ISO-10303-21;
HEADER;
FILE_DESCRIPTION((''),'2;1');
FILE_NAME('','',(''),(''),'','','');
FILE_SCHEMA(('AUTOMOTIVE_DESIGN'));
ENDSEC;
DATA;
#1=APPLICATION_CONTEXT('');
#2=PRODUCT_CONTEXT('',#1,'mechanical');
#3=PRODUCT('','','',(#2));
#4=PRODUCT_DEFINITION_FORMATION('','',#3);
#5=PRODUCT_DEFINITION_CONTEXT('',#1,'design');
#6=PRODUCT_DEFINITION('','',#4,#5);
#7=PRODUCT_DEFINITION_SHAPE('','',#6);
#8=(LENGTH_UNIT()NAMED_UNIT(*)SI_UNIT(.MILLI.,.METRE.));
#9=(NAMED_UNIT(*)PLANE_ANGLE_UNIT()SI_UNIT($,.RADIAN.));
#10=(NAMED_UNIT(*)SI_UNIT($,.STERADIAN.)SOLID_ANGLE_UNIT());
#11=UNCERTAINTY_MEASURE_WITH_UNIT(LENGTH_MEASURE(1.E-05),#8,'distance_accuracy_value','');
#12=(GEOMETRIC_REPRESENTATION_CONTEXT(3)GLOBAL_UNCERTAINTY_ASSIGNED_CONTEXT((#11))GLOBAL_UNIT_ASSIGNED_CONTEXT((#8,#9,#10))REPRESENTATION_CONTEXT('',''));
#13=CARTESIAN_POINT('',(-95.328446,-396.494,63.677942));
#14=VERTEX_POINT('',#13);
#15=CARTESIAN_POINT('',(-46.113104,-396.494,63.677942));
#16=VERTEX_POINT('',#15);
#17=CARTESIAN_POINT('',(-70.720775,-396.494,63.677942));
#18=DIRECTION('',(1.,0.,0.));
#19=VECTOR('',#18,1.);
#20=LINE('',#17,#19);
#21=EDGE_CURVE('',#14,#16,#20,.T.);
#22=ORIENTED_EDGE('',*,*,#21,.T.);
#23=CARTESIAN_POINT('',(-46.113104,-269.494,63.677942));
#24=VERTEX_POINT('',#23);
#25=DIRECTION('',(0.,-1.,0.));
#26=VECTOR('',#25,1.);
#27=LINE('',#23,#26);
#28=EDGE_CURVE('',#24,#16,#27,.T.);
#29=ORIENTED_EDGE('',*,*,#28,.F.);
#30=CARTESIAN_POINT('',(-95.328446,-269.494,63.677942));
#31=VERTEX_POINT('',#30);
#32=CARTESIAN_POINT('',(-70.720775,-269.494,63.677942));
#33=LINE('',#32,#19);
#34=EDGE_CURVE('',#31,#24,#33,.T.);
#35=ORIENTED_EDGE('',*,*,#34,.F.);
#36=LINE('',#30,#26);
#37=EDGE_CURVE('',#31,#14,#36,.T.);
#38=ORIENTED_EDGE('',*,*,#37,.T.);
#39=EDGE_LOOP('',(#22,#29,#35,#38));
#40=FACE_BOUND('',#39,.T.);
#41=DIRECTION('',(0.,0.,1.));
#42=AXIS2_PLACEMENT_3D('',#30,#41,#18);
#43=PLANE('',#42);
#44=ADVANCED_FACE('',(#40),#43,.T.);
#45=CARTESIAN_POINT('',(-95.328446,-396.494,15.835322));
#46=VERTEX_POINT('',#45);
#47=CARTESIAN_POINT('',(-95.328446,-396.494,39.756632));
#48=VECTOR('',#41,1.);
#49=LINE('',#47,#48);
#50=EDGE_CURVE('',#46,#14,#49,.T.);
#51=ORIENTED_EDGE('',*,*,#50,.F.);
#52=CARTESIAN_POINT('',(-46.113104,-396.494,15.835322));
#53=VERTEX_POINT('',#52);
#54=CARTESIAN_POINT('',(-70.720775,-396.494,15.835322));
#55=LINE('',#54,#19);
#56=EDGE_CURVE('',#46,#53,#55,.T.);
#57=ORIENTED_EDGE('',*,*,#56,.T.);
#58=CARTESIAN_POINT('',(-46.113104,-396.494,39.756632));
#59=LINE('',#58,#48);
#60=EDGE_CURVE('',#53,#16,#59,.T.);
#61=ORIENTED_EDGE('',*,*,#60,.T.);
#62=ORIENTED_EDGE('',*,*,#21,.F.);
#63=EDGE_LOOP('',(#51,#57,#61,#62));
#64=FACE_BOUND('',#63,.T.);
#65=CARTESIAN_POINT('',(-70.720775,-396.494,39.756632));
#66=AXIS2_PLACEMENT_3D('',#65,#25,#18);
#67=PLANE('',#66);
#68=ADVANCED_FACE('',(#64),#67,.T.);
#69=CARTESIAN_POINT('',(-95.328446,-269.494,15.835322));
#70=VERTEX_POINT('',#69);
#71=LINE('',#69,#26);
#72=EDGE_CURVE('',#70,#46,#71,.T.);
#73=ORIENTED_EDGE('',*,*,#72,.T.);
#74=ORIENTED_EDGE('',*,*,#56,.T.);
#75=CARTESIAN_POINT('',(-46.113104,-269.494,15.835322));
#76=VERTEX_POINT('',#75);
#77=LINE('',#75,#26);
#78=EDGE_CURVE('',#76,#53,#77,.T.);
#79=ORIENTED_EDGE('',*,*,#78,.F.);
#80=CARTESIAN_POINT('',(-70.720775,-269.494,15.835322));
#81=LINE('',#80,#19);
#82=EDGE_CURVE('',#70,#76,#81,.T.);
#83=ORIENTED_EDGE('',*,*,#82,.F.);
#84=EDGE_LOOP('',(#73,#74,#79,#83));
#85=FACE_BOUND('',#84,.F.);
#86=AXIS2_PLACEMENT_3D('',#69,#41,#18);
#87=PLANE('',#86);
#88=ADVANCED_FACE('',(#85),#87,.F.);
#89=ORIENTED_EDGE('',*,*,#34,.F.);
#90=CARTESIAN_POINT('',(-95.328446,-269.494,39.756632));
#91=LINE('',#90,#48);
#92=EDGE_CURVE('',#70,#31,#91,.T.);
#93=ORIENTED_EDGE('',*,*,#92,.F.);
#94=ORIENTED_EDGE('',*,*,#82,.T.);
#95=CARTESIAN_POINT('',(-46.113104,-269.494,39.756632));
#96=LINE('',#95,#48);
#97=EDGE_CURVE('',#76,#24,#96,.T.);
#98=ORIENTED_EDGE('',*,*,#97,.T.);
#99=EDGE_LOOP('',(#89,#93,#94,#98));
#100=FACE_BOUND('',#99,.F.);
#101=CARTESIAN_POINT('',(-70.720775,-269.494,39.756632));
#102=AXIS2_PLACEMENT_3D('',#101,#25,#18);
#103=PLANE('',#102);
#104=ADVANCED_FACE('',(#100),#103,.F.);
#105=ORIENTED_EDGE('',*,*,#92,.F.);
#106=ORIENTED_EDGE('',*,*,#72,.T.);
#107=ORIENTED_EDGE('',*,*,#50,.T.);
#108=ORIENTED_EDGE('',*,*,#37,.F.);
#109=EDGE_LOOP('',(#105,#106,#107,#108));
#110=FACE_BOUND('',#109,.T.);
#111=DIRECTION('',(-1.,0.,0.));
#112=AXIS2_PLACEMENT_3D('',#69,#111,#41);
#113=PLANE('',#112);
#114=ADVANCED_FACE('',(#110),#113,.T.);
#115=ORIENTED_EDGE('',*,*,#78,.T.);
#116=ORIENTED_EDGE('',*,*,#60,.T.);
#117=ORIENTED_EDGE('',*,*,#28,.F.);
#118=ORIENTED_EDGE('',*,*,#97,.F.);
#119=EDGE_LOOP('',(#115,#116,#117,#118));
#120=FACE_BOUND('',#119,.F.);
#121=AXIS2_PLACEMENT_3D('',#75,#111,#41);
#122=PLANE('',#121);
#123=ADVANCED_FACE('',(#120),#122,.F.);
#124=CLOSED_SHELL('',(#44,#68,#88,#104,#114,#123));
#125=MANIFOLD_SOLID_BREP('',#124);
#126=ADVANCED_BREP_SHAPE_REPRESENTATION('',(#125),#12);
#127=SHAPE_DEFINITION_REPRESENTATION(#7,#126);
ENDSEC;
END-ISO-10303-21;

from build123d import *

# Parameters (mm, degrees)
F0_W     = 49.215341
F0_H     = 47.84262
F1_DEPTH = 127


with BuildPart() as f1:
    # F0 (on Front) → F1 (new body)
    with BuildSketch(Plane.XZ):
        with Locations((-15.856775, 6.482632)):
            Rectangle(F0_W, F0_H)
    extrude(amount=F1_DEPTH)


with BuildPart() as f1_1:
    # F2: moved
    add(f1.part.moved(Location((-54.864, -269.494, 33.274))))


solid = f1_1.part
